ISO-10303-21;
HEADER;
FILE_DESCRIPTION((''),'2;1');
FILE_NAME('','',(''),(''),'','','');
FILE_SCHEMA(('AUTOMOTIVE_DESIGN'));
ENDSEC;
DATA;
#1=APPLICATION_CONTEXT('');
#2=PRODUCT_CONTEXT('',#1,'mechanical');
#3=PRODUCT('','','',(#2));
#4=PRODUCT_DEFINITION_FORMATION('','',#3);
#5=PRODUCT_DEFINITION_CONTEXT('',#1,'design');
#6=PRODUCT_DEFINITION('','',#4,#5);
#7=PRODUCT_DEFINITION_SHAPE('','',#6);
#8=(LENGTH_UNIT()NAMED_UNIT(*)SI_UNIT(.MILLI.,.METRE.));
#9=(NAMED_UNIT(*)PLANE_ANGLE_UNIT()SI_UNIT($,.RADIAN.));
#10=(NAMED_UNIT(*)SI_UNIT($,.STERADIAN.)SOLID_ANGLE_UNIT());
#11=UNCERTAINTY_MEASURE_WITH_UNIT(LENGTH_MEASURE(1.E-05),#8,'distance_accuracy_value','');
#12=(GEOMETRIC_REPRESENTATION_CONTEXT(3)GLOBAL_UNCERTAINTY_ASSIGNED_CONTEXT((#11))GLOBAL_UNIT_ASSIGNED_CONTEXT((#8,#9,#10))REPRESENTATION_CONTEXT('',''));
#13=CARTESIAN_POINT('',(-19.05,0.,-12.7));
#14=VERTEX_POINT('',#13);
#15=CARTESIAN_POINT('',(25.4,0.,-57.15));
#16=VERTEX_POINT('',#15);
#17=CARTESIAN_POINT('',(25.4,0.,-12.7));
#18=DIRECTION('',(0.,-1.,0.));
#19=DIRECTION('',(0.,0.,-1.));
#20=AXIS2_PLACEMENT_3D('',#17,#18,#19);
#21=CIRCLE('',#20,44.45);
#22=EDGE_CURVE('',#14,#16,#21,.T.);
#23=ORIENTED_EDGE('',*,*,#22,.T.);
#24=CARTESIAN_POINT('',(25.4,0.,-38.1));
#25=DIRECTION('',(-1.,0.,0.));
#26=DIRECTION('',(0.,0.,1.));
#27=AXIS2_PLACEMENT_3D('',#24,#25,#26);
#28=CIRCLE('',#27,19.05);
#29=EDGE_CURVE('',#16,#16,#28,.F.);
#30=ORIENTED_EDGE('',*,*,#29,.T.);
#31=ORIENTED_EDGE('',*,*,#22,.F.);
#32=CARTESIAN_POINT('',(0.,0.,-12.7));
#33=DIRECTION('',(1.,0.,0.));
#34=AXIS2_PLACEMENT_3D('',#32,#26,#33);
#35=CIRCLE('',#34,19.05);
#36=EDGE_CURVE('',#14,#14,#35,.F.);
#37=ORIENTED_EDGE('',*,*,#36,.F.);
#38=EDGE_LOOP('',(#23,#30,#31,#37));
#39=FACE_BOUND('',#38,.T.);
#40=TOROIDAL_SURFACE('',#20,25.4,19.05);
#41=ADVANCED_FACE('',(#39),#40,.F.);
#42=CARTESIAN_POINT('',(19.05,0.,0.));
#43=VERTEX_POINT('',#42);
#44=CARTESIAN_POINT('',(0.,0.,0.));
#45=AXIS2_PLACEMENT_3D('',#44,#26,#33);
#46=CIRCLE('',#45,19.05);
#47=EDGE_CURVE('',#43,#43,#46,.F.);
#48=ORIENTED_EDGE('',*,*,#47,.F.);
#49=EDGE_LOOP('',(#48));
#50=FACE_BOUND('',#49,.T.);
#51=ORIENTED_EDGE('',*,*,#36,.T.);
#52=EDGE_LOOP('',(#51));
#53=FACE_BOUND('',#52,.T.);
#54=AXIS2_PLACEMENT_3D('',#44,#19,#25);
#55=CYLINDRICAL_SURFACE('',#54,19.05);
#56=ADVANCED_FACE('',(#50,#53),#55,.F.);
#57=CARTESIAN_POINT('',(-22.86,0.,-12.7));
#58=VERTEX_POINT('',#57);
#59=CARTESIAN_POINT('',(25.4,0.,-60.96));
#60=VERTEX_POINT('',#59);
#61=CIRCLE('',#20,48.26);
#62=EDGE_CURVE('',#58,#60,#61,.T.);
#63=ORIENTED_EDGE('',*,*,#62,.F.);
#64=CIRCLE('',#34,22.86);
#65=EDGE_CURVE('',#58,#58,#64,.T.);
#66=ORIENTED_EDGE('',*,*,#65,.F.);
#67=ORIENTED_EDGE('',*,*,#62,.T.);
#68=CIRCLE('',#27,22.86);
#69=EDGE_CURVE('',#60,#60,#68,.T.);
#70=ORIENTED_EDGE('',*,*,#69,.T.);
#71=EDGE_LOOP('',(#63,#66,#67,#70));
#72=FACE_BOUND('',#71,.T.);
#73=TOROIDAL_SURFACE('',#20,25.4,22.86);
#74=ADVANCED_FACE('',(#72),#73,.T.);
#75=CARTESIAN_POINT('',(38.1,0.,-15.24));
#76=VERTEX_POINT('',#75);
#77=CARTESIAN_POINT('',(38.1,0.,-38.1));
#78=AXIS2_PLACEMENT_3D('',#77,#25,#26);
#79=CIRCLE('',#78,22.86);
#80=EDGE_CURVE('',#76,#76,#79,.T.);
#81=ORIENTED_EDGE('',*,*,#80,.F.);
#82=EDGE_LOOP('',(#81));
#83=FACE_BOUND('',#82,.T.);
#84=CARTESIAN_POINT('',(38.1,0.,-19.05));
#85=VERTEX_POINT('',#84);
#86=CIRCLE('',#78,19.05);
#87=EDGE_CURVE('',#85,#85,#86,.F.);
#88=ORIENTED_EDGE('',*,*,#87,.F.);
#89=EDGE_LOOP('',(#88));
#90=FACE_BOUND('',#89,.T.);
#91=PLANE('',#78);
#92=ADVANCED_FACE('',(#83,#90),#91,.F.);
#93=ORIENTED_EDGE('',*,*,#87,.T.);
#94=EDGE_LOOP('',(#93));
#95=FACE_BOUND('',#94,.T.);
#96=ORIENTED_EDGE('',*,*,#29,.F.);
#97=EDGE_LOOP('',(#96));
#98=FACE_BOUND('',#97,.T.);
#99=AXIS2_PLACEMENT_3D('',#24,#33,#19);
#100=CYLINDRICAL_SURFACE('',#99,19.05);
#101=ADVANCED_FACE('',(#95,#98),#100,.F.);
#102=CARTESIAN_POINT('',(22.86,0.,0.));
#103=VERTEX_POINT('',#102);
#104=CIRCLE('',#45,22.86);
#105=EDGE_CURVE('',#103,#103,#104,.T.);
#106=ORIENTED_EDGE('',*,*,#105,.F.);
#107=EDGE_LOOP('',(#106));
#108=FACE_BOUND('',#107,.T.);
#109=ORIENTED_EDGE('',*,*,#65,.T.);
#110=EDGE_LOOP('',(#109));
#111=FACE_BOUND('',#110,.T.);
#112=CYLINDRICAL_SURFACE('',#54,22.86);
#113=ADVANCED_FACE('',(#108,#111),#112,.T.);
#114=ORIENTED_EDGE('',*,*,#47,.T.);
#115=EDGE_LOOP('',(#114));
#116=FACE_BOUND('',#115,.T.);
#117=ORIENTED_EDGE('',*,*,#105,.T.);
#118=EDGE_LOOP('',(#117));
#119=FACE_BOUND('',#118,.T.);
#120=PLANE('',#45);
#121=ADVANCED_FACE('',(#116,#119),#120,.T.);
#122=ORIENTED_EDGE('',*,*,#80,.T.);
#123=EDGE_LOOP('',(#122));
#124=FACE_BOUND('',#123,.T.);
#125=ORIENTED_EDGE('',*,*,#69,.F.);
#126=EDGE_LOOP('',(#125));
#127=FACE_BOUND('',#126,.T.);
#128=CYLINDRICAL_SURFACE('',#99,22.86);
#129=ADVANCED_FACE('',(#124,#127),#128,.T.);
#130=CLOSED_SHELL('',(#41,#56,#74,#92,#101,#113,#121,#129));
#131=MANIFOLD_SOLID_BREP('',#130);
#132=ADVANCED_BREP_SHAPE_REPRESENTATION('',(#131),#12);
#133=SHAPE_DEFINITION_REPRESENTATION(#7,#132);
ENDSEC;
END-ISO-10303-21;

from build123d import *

# Parameters (mm, degrees)
SKETCH1_R   = 22.86
SKETCH1_R_2 = 19.05


with BuildPart() as part:
    # Sweep1: sweep along a path in Sketch3
    with BuildLine(Plane(origin=(0, 0, 0), x_dir=(1, 0, 0), z_dir=(0, 1, 0))) as sweep1_path:
        Line((0, 0), (0, 12.7))
        ThreePointArc((0, 12.7), (7.439487758, 30.660512242), (25.4, 38.1))
        Line((25.4, 38.1), (38.1, 38.1))
    # Sketch1 → Sweep1 (sweep)
    with BuildSketch(Plane.XY):
        Circle(SKETCH1_R)
        Circle(SKETCH1_R_2, mode=Mode.SUBTRACT)
    sweep(path=sweep1_path.line)


solid = part.part
